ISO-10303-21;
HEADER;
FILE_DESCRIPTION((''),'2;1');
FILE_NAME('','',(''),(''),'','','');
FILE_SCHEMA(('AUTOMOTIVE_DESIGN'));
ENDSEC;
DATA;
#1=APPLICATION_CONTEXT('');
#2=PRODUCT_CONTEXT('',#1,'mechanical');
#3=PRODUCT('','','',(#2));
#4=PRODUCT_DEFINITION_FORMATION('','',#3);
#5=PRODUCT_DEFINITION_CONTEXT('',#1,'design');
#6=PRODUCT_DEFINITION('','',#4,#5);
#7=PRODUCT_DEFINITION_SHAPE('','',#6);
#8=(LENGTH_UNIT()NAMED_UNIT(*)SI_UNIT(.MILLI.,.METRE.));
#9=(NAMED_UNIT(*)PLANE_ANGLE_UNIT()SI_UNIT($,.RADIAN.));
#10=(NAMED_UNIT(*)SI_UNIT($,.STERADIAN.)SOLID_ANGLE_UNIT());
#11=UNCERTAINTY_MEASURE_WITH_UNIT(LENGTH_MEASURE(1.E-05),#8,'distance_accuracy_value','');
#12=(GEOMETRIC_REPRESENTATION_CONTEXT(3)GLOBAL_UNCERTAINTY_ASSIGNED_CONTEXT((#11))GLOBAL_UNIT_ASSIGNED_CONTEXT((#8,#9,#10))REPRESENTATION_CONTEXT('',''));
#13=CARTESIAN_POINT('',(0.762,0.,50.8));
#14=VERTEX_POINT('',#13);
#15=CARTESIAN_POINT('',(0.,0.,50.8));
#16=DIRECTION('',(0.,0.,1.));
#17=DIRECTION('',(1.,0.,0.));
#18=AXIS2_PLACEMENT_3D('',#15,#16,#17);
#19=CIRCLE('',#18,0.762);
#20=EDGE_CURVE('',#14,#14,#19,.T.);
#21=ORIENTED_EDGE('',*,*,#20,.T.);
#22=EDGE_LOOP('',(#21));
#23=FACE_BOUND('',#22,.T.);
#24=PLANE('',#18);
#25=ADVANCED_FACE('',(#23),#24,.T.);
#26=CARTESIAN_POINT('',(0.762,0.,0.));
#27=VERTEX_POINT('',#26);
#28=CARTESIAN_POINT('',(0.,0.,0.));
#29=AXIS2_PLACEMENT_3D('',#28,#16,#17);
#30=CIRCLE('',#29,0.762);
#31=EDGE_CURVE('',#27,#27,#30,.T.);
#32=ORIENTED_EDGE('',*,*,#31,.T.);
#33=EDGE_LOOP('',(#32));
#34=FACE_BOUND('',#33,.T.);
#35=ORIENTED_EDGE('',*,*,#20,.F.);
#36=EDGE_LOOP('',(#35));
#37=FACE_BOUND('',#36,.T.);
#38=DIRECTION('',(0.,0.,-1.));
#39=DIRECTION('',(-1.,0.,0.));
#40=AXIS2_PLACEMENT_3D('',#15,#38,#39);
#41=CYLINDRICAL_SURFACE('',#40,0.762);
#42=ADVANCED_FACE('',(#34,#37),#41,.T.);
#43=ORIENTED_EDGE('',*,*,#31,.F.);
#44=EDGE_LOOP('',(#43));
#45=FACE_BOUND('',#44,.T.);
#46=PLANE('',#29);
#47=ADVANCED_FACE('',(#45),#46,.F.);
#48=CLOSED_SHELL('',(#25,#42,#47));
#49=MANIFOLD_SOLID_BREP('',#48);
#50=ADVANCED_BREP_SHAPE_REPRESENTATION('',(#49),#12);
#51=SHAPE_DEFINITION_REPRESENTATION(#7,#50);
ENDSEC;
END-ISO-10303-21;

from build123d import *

# Parameters (mm, degrees)
CROQUIS1_R              = 0.762
SALIENTE_EXTRUIR1_DEPTH = 50.8


with BuildPart() as part:
    # Croquis1 → Saliente-Extruir1 (new body)
    with BuildSketch(Plane.XY):
        Circle(CROQUIS1_R)
    extrude(amount=SALIENTE_EXTRUIR1_DEPTH)


solid = part.part
